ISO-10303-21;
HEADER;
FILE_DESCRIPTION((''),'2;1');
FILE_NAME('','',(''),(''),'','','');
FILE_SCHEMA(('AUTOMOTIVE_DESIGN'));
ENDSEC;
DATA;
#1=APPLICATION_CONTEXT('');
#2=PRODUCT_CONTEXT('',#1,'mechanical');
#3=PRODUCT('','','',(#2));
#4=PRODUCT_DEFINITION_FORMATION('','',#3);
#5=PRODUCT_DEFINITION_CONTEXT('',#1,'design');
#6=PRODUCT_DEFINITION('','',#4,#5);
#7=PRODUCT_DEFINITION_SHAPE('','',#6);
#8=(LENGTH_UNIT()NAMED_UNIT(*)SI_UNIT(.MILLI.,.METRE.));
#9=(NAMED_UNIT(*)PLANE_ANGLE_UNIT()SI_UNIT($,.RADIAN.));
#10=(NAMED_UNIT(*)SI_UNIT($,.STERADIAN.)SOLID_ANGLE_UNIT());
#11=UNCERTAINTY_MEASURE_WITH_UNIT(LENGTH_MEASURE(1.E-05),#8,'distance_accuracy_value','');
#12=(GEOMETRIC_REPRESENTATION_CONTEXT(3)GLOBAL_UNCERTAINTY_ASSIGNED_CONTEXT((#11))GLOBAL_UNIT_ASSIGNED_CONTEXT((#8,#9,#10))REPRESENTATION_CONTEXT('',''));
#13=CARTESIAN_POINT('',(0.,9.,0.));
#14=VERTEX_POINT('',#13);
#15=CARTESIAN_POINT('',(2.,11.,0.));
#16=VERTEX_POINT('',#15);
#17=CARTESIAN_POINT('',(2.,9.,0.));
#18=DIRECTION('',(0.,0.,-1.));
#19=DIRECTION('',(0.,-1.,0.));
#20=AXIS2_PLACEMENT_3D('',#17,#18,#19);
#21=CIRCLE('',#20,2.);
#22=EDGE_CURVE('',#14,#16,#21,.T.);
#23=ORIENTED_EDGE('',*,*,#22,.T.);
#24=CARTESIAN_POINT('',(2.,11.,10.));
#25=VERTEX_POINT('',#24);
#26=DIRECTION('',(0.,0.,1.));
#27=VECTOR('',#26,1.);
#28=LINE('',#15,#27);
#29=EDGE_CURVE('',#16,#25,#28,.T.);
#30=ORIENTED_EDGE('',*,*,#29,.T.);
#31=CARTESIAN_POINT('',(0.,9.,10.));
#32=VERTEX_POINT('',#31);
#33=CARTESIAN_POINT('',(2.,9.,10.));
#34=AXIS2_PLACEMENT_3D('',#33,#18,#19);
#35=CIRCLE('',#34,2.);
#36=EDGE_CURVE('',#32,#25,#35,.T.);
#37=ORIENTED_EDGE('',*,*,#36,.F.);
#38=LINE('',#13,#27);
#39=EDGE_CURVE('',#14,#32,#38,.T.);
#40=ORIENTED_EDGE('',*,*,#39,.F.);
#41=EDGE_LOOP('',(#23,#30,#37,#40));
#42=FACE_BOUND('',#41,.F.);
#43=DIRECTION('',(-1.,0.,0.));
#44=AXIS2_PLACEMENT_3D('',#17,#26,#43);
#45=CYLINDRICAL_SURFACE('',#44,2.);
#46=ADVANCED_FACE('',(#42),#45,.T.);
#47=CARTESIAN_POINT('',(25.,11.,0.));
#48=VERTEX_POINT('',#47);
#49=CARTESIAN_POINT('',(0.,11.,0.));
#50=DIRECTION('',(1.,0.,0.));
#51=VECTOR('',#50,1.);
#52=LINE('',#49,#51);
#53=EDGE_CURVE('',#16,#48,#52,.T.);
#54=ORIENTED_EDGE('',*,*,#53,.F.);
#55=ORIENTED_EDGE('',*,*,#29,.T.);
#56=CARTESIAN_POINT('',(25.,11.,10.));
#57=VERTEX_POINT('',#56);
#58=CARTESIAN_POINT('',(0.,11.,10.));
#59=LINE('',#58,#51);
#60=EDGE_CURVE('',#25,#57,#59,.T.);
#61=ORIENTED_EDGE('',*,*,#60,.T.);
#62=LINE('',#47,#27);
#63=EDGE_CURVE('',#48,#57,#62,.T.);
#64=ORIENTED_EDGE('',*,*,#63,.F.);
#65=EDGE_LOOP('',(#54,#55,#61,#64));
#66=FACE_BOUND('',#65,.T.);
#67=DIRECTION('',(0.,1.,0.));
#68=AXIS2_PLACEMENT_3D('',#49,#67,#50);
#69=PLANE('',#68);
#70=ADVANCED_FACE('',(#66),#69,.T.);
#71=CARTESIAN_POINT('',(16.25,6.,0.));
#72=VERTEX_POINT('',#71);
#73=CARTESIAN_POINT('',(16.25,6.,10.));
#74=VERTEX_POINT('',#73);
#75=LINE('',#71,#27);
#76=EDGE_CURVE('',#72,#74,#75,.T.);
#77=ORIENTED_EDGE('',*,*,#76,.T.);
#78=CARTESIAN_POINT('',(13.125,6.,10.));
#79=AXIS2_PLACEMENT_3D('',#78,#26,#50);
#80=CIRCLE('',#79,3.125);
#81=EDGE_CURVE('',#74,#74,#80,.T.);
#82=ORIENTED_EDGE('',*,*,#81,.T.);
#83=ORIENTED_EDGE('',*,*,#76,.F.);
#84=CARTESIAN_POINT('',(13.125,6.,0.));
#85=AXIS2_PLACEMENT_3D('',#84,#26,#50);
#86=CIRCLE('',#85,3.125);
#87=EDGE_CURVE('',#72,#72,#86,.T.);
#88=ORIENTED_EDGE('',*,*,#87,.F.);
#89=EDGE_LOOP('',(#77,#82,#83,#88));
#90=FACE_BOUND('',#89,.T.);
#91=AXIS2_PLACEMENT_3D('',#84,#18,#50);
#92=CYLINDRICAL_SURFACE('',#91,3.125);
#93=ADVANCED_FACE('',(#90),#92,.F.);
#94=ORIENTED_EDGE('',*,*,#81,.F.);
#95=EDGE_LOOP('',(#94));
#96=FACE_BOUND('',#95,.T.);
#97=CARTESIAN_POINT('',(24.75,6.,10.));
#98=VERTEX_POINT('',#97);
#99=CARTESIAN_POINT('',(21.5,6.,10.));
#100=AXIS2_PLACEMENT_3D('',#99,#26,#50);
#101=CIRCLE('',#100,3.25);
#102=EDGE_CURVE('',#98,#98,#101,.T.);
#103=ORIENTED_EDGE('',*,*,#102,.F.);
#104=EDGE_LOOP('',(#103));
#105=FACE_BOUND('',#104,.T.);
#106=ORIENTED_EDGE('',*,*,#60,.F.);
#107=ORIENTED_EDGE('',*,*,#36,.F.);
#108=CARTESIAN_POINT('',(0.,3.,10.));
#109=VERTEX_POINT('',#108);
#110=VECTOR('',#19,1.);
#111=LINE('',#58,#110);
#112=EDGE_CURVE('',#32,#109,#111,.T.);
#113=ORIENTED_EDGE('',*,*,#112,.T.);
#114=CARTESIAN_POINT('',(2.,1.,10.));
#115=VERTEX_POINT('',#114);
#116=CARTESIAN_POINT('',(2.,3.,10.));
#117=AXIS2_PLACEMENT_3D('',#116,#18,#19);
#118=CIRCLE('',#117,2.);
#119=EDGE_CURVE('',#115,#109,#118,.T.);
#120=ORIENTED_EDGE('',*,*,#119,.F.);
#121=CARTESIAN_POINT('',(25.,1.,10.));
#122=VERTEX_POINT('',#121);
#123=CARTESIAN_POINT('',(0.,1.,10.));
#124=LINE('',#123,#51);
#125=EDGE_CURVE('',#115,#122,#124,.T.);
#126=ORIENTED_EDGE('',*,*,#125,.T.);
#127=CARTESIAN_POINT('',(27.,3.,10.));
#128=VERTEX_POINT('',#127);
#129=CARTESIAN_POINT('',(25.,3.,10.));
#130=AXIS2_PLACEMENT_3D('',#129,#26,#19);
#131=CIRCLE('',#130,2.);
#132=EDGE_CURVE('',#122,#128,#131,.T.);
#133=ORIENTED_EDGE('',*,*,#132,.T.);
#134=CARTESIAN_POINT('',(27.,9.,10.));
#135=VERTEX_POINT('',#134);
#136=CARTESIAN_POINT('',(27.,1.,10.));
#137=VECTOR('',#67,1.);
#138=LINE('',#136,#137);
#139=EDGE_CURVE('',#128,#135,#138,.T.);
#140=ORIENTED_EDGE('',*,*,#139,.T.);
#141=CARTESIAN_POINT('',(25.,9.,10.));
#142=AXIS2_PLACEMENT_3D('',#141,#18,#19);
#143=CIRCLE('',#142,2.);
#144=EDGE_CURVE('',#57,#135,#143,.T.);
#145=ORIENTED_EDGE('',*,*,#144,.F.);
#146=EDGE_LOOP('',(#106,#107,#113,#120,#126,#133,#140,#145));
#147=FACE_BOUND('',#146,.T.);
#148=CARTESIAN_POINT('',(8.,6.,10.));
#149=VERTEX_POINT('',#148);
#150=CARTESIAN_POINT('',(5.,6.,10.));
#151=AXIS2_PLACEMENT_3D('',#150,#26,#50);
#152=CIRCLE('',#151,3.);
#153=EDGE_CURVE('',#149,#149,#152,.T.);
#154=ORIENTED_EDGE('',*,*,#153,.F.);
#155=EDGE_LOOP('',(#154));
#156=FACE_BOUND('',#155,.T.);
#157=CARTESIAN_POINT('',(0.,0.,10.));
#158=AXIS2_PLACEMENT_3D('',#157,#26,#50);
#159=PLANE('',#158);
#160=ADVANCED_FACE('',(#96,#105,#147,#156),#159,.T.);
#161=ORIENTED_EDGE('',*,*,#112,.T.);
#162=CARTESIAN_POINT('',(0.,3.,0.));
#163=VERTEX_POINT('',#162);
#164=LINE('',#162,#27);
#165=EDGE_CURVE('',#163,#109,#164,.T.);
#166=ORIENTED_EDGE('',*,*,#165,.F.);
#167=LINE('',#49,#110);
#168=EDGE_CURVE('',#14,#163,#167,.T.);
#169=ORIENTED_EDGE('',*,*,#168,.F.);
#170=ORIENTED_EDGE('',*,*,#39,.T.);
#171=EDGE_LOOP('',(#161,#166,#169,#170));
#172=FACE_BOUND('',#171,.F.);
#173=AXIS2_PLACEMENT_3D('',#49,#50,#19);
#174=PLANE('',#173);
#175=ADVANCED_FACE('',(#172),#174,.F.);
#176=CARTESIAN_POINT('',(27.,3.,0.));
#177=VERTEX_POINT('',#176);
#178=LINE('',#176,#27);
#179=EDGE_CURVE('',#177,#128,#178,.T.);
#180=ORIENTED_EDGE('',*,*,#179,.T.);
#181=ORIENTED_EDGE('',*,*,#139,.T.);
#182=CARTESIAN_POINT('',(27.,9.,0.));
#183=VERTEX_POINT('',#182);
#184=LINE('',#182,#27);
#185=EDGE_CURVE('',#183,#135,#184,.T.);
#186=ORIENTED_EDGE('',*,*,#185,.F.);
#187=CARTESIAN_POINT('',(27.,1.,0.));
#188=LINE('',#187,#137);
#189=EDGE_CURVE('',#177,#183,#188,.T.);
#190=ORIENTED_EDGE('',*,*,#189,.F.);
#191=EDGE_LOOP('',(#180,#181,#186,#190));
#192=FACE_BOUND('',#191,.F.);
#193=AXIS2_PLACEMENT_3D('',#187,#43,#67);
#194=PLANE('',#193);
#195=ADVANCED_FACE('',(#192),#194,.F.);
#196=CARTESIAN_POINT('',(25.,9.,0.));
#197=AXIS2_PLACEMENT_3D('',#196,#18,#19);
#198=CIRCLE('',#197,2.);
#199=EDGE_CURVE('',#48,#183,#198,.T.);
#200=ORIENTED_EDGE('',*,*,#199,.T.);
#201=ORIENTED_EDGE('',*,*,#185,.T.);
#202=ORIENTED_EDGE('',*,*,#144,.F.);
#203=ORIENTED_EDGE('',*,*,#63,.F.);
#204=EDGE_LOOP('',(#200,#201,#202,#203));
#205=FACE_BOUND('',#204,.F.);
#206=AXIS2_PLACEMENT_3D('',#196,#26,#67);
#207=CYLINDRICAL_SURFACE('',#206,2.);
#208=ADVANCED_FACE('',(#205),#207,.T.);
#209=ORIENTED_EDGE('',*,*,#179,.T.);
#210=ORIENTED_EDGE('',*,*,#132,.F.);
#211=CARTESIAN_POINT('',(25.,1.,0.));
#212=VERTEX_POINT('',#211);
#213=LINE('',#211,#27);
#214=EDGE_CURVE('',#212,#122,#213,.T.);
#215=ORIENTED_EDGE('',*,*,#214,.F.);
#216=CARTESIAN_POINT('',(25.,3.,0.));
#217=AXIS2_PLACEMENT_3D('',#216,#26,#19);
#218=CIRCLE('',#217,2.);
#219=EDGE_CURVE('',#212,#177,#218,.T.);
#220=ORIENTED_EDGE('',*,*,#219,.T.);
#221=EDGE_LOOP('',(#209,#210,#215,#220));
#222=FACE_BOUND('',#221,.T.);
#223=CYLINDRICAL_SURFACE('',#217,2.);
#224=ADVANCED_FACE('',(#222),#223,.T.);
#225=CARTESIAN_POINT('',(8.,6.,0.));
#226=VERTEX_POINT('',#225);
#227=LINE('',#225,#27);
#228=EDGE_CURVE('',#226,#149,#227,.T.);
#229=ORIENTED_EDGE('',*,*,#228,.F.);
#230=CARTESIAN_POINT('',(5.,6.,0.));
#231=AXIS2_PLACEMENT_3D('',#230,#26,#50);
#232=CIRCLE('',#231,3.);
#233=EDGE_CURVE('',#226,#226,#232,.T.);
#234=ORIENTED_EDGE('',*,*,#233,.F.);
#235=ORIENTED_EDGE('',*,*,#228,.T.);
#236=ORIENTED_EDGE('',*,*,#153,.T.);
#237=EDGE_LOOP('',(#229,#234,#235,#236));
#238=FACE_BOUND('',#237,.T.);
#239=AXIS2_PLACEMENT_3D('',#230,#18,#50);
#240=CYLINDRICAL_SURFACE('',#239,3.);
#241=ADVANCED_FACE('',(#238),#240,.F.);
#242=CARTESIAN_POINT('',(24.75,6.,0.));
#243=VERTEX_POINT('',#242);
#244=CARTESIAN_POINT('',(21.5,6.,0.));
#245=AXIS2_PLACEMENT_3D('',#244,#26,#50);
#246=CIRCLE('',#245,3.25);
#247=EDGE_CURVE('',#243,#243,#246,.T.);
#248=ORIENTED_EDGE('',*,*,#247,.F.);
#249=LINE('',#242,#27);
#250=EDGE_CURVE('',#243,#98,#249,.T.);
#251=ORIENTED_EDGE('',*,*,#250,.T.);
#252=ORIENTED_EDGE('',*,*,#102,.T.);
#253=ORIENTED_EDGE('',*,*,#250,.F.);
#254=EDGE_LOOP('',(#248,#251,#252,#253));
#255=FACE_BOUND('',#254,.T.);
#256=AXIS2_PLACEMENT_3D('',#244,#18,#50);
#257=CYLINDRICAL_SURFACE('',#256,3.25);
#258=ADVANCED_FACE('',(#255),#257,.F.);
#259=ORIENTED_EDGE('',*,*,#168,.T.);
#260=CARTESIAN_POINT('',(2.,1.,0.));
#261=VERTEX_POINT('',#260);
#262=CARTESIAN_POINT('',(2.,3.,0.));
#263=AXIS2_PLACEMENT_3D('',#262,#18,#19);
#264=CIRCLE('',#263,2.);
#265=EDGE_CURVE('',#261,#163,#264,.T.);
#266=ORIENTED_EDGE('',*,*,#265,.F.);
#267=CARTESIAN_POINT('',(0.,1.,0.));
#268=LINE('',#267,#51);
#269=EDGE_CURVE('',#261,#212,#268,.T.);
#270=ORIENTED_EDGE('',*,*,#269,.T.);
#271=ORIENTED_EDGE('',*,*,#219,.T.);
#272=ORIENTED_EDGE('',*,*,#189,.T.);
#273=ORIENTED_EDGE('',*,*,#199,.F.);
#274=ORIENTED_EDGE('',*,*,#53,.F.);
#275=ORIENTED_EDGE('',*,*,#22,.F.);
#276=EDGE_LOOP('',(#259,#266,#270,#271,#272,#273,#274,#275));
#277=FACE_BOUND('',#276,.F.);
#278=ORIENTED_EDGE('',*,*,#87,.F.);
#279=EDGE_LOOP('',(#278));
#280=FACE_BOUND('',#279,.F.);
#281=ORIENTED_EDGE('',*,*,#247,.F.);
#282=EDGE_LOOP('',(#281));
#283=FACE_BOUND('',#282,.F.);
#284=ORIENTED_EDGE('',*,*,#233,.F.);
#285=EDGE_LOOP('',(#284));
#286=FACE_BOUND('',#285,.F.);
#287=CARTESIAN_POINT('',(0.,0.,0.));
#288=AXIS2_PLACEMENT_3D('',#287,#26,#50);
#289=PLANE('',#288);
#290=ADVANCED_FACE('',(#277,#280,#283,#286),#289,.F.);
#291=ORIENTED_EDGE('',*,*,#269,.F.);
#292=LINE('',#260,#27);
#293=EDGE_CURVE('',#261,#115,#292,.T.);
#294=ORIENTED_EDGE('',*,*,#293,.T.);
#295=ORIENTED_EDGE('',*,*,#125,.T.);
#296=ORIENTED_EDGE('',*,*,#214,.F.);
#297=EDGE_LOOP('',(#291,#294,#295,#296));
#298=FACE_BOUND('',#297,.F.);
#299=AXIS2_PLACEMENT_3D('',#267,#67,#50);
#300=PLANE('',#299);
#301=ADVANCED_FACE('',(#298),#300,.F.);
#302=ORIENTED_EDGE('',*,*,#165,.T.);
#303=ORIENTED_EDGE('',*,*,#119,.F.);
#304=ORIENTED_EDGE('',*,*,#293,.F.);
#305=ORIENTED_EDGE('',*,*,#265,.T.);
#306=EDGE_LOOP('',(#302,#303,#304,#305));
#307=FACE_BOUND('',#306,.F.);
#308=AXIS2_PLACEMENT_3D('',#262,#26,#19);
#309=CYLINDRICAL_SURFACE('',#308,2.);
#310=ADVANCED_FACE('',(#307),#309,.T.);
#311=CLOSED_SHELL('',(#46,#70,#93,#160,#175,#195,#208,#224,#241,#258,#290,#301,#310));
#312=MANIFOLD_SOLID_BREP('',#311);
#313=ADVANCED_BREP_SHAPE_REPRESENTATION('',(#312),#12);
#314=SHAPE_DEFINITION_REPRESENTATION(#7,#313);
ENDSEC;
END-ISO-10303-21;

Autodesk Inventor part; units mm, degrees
ref_plane "YZ Plane" through (0, 0, 0) normal (1, 0, 0) x (0, 1, 0)
ref_plane "XZ Plane" through (0, 0, 0) normal (0, 1, 0) x (-1, 0, 0)
ref_plane "XY Plane" through (0, 0, 0) normal (0, 0, 1) x (1, 0, 0)
sketch "Sketch1" plane through (0, 0, 0) normal (0, 0, 1) x (1, 0, 0)
  line L0 (27, 1) -> (27, 11)
  line L1 (0, 11) -> (0, 1)
  circle A0 centre (5, 6) radius 3
  circle A1 centre (13.125, 6) radius 3.125
  circle A2 centre (21.5, 6) radius 3.25
  line L2 (0, 11) -> (27, 11)
  line L3 (0, 1) -> (27, 1)
  point P0 (0, 0)
  dimension "d2" = 6
  dimension "d3" = 6.25
  dimension "d4" = 6.5
  dimension "d7" = 8.375
  dimension "d8" = 5
  dimension "d9" = 5
extrude "Extrusion1" add sketch "Sketch1" along normal blind 10
fillet "Fillet1" radius 2 4 edges at (0, 11, 5) (27, 11, 5) (27, 1, 5) (0, 1, 5)
properties part number "6mmHoleTest6-6.25-6.5mm"
